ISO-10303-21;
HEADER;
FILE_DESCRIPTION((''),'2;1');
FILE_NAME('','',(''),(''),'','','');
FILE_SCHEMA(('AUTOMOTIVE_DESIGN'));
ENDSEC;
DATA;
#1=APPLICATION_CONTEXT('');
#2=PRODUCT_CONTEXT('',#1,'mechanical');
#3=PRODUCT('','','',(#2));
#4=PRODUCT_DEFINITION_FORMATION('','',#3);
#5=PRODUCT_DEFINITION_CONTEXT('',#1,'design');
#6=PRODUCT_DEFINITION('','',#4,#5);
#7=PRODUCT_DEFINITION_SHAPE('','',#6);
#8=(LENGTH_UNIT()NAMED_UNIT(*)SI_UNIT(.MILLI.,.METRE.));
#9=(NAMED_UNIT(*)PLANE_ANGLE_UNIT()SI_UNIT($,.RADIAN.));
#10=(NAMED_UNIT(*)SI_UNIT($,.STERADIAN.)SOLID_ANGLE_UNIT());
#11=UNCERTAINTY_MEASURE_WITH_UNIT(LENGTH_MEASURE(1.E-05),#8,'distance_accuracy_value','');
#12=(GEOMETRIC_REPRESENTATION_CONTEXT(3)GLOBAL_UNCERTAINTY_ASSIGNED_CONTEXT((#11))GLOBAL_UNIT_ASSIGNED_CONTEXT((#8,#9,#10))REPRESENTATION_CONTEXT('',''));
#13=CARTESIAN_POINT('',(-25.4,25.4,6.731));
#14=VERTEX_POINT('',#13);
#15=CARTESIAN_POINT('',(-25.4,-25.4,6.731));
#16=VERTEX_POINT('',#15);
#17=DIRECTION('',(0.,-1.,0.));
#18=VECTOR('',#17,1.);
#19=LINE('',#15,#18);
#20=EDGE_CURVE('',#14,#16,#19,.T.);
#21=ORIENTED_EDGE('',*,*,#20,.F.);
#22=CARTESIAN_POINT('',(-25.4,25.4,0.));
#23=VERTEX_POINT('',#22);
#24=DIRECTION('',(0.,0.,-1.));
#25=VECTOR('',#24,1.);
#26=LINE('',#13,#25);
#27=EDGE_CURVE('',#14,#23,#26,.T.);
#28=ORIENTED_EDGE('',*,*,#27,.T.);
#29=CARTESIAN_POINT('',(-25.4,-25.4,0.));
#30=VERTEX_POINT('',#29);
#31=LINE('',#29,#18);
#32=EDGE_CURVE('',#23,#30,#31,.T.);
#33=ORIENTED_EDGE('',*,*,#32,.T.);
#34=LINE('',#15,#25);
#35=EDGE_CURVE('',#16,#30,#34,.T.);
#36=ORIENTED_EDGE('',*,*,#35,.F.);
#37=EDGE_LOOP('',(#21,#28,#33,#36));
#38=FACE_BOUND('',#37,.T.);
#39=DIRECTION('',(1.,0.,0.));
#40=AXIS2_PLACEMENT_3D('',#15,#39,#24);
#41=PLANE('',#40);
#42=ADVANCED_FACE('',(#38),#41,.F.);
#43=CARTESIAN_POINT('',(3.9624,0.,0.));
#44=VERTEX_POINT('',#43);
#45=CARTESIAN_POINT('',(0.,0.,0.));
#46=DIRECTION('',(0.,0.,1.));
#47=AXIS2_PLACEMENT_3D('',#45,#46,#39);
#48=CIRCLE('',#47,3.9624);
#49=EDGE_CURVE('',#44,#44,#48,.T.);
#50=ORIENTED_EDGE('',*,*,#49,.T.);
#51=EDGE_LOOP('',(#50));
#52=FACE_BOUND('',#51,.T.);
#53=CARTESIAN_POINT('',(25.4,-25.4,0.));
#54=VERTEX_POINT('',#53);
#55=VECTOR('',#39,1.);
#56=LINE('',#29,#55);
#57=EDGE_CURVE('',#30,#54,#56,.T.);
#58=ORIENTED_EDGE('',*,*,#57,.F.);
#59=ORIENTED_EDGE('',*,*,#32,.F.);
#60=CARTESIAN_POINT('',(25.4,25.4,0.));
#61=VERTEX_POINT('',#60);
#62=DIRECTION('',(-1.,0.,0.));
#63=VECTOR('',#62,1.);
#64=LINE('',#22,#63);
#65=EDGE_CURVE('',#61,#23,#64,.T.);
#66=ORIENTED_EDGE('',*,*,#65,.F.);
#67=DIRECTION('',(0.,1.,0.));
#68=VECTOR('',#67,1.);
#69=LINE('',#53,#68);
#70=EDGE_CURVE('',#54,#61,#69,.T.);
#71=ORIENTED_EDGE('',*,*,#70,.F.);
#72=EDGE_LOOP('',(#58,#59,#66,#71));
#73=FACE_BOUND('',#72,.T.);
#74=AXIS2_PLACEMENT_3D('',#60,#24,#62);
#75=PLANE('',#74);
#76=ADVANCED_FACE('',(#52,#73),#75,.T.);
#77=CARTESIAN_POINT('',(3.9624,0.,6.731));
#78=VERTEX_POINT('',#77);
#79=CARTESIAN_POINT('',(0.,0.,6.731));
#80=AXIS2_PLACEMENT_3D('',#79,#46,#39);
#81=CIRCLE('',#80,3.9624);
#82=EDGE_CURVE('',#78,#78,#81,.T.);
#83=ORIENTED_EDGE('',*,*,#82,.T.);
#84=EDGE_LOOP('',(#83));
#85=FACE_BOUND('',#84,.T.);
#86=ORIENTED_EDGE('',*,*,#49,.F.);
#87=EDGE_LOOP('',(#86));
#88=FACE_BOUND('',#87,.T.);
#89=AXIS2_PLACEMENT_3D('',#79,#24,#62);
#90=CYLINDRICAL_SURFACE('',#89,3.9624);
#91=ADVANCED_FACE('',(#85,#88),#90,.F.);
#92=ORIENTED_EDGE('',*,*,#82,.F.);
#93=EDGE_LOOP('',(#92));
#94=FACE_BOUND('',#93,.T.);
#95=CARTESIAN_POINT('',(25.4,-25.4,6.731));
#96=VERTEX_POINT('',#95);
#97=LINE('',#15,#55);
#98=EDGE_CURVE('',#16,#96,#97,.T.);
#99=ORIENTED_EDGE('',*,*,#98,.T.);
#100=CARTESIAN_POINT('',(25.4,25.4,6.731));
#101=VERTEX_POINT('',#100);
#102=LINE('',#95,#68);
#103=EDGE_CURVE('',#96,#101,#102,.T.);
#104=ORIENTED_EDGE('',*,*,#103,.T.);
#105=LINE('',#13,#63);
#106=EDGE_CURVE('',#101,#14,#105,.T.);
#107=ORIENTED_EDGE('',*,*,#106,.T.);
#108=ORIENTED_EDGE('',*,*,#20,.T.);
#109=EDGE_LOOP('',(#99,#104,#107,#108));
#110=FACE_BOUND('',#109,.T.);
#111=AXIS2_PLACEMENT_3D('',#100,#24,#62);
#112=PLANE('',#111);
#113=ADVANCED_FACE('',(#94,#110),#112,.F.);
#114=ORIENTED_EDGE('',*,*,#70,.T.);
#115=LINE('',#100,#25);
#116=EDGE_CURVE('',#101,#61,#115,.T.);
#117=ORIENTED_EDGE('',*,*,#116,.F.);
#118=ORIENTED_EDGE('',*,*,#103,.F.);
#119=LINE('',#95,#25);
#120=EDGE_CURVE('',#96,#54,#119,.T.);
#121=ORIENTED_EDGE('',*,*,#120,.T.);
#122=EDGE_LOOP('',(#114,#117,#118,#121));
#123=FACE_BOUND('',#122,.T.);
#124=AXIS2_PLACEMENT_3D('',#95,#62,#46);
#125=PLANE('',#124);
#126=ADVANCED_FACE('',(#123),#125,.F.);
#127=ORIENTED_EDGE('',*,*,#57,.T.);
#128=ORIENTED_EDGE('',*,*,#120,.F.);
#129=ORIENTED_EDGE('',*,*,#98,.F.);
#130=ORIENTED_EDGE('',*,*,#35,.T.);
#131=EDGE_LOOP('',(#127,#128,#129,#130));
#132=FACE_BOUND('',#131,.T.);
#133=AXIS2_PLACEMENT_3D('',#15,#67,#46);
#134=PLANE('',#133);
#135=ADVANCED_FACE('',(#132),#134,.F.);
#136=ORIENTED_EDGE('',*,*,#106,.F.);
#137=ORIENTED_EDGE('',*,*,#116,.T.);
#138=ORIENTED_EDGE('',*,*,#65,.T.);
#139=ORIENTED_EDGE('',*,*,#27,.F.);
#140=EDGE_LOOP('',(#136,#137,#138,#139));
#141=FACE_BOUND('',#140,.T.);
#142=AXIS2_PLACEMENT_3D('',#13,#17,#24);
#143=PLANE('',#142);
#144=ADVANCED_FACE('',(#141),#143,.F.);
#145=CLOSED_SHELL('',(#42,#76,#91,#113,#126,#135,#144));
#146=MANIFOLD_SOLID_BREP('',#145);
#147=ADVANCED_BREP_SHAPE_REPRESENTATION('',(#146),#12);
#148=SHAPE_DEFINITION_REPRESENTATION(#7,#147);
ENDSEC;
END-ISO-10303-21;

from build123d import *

# Parameters (mm, degrees)
SKETCH2_W           = 50.8
SKETCH2_H           = 50.8
SKETCH2_R           = 3.9624
BOSS_EXTRUDE1_DEPTH = 6.731


with BuildPart() as part:
    # Sketch2 → Boss-Extrude1 (new body)
    with BuildSketch(Plane.XY):
        Rectangle(SKETCH2_W, SKETCH2_H)
        Circle(SKETCH2_R, mode=Mode.SUBTRACT)
    extrude(amount=BOSS_EXTRUDE1_DEPTH)


solid = part.part
